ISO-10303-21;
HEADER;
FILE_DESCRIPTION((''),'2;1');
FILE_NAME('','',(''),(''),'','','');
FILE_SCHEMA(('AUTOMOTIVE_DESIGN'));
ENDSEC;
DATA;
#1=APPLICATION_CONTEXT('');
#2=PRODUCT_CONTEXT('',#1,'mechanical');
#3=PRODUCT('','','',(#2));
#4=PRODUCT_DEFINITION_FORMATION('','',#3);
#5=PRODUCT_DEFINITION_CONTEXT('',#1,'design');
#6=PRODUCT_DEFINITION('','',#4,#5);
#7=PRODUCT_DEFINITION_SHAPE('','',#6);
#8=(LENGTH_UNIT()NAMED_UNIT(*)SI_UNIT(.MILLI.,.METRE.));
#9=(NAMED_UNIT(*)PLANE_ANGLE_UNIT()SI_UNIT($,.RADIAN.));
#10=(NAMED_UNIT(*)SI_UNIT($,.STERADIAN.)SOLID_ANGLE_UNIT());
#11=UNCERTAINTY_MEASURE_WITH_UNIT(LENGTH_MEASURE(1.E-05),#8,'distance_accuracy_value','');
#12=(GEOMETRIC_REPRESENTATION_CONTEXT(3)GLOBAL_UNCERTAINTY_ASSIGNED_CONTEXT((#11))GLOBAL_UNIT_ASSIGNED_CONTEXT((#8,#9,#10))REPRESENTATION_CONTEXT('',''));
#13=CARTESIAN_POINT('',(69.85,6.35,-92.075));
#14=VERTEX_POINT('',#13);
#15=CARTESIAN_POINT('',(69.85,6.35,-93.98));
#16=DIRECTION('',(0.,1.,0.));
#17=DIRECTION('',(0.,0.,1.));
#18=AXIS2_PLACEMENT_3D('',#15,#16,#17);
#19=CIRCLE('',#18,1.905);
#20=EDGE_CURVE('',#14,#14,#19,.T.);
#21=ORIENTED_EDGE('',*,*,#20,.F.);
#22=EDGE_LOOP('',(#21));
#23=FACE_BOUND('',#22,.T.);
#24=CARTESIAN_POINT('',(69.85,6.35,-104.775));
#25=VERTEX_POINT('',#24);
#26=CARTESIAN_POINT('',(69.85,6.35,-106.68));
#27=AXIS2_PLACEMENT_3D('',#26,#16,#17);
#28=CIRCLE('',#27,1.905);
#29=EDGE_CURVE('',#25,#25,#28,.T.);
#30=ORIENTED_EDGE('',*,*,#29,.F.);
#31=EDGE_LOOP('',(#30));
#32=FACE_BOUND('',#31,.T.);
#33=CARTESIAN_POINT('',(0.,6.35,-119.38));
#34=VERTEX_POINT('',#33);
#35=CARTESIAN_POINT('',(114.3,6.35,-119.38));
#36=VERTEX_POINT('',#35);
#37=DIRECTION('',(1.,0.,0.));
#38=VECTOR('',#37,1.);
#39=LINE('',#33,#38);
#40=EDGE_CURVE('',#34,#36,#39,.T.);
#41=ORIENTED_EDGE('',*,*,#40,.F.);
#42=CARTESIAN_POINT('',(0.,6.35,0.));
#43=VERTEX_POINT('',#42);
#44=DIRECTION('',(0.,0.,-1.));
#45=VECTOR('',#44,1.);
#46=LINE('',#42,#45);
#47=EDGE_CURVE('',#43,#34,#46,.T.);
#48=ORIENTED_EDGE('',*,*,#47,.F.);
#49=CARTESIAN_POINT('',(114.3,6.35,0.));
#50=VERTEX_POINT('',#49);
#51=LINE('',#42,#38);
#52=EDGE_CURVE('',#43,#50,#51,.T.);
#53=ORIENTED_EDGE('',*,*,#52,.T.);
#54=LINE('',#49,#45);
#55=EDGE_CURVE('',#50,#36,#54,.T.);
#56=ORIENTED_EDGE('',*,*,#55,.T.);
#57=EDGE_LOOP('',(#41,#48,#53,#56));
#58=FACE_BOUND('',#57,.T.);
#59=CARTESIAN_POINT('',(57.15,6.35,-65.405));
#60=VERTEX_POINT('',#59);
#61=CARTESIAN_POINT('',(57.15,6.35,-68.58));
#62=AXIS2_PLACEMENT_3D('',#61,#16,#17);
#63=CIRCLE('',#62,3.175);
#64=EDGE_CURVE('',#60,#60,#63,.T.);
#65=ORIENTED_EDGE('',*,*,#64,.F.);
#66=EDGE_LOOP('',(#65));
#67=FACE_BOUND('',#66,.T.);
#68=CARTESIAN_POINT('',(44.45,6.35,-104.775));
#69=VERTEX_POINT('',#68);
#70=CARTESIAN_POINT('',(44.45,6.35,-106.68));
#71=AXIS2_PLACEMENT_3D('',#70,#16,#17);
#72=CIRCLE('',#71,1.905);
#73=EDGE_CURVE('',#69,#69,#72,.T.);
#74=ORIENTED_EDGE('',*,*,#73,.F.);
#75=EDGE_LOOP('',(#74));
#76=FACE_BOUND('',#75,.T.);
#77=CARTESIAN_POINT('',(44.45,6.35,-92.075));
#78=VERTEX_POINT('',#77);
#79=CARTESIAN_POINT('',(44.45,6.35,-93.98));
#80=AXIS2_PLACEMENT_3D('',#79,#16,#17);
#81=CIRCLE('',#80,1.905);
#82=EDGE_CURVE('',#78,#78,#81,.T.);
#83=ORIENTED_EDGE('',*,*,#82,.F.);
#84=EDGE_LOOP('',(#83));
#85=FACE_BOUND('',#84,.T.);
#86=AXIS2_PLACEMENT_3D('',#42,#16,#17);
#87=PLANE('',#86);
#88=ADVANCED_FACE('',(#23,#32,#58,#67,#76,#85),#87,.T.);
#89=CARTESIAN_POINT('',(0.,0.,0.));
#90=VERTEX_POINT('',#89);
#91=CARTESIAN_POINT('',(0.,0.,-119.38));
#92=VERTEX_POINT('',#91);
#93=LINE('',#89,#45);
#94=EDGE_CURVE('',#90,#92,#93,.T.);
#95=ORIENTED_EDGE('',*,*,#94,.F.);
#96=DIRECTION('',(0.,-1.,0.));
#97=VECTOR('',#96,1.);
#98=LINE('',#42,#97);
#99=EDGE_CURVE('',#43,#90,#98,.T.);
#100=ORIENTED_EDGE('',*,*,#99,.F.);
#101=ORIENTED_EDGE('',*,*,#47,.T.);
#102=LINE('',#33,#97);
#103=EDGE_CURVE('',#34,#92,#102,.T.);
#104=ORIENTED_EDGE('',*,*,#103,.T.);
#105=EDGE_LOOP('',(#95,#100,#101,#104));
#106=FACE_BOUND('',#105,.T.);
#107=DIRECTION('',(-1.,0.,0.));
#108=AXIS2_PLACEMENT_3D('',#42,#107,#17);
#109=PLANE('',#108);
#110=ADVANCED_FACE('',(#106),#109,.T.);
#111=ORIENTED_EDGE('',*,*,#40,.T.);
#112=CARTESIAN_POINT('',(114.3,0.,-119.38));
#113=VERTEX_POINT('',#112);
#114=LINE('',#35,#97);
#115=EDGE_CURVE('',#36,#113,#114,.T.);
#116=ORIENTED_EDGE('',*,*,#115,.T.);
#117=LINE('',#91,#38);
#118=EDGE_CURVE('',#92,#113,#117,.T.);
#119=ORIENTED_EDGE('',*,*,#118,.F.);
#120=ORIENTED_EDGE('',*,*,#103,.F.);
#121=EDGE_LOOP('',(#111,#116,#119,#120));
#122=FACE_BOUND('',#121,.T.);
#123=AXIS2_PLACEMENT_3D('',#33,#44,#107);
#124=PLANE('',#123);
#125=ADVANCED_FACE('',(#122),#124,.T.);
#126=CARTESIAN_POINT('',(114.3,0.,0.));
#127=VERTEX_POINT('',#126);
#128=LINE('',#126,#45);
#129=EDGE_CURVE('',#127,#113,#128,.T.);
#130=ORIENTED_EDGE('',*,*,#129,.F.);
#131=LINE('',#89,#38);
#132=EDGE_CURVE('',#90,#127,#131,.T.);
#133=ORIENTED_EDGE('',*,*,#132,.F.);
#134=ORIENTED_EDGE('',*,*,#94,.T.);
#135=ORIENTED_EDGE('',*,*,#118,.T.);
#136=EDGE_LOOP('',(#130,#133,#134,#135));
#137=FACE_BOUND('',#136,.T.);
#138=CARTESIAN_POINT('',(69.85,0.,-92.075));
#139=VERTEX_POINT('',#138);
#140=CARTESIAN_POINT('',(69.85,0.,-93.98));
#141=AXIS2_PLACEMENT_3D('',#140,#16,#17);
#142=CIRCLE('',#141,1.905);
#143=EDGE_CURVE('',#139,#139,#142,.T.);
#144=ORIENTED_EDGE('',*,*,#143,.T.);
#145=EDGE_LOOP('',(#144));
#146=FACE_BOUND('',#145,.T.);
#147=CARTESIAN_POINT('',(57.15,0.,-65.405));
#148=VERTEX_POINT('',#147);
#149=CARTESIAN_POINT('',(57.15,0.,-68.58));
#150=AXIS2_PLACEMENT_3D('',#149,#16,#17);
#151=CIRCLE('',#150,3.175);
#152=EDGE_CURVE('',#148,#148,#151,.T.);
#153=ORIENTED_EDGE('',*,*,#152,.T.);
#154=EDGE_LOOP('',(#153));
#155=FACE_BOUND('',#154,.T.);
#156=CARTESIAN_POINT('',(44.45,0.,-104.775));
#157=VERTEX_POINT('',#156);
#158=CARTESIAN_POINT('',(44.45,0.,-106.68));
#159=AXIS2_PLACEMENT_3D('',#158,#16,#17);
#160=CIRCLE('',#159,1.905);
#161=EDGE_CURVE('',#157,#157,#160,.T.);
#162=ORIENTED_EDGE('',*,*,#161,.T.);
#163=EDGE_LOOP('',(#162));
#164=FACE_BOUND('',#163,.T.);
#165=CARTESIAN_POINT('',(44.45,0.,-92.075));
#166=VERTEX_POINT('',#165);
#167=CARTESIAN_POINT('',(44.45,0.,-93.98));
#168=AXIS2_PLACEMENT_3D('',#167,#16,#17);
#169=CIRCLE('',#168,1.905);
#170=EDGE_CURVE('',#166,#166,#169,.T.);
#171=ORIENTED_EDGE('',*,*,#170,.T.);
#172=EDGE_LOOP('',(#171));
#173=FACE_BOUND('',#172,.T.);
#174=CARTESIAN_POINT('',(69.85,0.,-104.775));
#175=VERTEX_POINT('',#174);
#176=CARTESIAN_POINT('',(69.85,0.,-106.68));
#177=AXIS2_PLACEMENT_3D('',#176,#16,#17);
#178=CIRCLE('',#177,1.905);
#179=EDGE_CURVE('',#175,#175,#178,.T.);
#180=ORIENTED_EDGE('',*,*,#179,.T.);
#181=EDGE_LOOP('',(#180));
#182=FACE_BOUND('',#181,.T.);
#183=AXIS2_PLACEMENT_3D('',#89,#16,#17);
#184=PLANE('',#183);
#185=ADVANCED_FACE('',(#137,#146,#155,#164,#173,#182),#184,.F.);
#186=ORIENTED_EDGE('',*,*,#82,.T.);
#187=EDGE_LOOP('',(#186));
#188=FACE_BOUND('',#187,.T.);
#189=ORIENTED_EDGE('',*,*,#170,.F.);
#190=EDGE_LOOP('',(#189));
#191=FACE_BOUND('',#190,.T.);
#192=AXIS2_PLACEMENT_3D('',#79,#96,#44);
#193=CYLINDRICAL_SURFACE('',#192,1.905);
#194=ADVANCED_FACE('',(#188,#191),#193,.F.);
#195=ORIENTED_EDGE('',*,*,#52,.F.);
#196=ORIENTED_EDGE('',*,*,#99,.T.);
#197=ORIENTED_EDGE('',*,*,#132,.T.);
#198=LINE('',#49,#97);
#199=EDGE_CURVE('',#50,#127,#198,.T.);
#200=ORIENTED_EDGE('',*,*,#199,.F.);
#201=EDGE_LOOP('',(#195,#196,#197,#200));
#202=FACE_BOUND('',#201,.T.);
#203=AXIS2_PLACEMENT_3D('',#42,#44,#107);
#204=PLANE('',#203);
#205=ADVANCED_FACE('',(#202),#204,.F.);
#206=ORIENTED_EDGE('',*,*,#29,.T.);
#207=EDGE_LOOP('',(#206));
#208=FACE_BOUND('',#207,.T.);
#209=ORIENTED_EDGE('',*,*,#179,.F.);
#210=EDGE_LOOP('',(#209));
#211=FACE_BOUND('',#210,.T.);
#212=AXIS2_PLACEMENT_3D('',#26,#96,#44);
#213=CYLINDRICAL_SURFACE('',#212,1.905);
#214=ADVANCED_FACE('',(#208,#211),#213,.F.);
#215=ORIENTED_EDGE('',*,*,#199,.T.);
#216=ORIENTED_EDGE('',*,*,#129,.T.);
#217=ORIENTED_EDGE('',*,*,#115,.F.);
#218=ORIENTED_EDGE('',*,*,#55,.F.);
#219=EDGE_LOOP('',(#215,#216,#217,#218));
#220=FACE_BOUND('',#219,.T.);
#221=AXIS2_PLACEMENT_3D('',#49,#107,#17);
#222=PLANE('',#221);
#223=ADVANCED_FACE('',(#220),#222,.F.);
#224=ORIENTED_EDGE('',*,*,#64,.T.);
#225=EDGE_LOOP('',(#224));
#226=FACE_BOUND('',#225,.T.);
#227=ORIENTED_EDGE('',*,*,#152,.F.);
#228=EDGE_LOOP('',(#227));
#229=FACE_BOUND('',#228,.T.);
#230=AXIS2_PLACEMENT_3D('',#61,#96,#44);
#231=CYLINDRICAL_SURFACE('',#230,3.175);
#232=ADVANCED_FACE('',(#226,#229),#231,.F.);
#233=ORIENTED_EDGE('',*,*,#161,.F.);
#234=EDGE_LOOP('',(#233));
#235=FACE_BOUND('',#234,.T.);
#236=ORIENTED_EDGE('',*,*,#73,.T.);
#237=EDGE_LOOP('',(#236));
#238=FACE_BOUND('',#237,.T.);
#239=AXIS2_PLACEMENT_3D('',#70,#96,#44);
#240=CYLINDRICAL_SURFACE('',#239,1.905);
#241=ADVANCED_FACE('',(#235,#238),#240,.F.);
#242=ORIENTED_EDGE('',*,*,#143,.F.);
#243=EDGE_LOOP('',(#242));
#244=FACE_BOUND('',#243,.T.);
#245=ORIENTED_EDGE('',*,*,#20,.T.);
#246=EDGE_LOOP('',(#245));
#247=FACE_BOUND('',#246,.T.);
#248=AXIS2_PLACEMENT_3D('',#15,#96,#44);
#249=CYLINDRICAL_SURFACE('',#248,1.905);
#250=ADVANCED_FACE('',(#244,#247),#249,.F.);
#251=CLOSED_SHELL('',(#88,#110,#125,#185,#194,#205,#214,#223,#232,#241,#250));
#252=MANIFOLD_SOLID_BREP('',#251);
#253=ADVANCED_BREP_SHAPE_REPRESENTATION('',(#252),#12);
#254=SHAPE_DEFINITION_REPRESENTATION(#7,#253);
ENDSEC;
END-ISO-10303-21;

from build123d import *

# Parameters (mm, degrees)
SKETCH1_W           = 114.3
SKETCH1_H           = 119.38
SKETCH1_R           = 1.905
SKETCH1_R_2         = 3.175
BOSS_EXTRUDE1_DEPTH = 6.35


with BuildPart() as part:
    # Sketch1 → Boss-Extrude1 (new body)
    with BuildSketch(Plane(origin=(0, 0, 0), x_dir=(1, 0, 0), z_dir=(0, 1, 0))):
        with Locations((57.15, 59.69)):
            Rectangle(SKETCH1_W, SKETCH1_H)
        with Locations((44.45, 106.68)):
            Circle(SKETCH1_R, mode=Mode.SUBTRACT)
        with Locations((69.85, 106.68)):
            Circle(SKETCH1_R, mode=Mode.SUBTRACT)
        with Locations((44.45, 93.98)):
            Circle(SKETCH1_R, mode=Mode.SUBTRACT)
        with Locations((69.85, 93.98)):
            Circle(SKETCH1_R, mode=Mode.SUBTRACT)
        with Locations((57.15, 68.58)):
            Circle(SKETCH1_R_2, mode=Mode.SUBTRACT)
    extrude(amount=BOSS_EXTRUDE1_DEPTH)


solid = part.part
